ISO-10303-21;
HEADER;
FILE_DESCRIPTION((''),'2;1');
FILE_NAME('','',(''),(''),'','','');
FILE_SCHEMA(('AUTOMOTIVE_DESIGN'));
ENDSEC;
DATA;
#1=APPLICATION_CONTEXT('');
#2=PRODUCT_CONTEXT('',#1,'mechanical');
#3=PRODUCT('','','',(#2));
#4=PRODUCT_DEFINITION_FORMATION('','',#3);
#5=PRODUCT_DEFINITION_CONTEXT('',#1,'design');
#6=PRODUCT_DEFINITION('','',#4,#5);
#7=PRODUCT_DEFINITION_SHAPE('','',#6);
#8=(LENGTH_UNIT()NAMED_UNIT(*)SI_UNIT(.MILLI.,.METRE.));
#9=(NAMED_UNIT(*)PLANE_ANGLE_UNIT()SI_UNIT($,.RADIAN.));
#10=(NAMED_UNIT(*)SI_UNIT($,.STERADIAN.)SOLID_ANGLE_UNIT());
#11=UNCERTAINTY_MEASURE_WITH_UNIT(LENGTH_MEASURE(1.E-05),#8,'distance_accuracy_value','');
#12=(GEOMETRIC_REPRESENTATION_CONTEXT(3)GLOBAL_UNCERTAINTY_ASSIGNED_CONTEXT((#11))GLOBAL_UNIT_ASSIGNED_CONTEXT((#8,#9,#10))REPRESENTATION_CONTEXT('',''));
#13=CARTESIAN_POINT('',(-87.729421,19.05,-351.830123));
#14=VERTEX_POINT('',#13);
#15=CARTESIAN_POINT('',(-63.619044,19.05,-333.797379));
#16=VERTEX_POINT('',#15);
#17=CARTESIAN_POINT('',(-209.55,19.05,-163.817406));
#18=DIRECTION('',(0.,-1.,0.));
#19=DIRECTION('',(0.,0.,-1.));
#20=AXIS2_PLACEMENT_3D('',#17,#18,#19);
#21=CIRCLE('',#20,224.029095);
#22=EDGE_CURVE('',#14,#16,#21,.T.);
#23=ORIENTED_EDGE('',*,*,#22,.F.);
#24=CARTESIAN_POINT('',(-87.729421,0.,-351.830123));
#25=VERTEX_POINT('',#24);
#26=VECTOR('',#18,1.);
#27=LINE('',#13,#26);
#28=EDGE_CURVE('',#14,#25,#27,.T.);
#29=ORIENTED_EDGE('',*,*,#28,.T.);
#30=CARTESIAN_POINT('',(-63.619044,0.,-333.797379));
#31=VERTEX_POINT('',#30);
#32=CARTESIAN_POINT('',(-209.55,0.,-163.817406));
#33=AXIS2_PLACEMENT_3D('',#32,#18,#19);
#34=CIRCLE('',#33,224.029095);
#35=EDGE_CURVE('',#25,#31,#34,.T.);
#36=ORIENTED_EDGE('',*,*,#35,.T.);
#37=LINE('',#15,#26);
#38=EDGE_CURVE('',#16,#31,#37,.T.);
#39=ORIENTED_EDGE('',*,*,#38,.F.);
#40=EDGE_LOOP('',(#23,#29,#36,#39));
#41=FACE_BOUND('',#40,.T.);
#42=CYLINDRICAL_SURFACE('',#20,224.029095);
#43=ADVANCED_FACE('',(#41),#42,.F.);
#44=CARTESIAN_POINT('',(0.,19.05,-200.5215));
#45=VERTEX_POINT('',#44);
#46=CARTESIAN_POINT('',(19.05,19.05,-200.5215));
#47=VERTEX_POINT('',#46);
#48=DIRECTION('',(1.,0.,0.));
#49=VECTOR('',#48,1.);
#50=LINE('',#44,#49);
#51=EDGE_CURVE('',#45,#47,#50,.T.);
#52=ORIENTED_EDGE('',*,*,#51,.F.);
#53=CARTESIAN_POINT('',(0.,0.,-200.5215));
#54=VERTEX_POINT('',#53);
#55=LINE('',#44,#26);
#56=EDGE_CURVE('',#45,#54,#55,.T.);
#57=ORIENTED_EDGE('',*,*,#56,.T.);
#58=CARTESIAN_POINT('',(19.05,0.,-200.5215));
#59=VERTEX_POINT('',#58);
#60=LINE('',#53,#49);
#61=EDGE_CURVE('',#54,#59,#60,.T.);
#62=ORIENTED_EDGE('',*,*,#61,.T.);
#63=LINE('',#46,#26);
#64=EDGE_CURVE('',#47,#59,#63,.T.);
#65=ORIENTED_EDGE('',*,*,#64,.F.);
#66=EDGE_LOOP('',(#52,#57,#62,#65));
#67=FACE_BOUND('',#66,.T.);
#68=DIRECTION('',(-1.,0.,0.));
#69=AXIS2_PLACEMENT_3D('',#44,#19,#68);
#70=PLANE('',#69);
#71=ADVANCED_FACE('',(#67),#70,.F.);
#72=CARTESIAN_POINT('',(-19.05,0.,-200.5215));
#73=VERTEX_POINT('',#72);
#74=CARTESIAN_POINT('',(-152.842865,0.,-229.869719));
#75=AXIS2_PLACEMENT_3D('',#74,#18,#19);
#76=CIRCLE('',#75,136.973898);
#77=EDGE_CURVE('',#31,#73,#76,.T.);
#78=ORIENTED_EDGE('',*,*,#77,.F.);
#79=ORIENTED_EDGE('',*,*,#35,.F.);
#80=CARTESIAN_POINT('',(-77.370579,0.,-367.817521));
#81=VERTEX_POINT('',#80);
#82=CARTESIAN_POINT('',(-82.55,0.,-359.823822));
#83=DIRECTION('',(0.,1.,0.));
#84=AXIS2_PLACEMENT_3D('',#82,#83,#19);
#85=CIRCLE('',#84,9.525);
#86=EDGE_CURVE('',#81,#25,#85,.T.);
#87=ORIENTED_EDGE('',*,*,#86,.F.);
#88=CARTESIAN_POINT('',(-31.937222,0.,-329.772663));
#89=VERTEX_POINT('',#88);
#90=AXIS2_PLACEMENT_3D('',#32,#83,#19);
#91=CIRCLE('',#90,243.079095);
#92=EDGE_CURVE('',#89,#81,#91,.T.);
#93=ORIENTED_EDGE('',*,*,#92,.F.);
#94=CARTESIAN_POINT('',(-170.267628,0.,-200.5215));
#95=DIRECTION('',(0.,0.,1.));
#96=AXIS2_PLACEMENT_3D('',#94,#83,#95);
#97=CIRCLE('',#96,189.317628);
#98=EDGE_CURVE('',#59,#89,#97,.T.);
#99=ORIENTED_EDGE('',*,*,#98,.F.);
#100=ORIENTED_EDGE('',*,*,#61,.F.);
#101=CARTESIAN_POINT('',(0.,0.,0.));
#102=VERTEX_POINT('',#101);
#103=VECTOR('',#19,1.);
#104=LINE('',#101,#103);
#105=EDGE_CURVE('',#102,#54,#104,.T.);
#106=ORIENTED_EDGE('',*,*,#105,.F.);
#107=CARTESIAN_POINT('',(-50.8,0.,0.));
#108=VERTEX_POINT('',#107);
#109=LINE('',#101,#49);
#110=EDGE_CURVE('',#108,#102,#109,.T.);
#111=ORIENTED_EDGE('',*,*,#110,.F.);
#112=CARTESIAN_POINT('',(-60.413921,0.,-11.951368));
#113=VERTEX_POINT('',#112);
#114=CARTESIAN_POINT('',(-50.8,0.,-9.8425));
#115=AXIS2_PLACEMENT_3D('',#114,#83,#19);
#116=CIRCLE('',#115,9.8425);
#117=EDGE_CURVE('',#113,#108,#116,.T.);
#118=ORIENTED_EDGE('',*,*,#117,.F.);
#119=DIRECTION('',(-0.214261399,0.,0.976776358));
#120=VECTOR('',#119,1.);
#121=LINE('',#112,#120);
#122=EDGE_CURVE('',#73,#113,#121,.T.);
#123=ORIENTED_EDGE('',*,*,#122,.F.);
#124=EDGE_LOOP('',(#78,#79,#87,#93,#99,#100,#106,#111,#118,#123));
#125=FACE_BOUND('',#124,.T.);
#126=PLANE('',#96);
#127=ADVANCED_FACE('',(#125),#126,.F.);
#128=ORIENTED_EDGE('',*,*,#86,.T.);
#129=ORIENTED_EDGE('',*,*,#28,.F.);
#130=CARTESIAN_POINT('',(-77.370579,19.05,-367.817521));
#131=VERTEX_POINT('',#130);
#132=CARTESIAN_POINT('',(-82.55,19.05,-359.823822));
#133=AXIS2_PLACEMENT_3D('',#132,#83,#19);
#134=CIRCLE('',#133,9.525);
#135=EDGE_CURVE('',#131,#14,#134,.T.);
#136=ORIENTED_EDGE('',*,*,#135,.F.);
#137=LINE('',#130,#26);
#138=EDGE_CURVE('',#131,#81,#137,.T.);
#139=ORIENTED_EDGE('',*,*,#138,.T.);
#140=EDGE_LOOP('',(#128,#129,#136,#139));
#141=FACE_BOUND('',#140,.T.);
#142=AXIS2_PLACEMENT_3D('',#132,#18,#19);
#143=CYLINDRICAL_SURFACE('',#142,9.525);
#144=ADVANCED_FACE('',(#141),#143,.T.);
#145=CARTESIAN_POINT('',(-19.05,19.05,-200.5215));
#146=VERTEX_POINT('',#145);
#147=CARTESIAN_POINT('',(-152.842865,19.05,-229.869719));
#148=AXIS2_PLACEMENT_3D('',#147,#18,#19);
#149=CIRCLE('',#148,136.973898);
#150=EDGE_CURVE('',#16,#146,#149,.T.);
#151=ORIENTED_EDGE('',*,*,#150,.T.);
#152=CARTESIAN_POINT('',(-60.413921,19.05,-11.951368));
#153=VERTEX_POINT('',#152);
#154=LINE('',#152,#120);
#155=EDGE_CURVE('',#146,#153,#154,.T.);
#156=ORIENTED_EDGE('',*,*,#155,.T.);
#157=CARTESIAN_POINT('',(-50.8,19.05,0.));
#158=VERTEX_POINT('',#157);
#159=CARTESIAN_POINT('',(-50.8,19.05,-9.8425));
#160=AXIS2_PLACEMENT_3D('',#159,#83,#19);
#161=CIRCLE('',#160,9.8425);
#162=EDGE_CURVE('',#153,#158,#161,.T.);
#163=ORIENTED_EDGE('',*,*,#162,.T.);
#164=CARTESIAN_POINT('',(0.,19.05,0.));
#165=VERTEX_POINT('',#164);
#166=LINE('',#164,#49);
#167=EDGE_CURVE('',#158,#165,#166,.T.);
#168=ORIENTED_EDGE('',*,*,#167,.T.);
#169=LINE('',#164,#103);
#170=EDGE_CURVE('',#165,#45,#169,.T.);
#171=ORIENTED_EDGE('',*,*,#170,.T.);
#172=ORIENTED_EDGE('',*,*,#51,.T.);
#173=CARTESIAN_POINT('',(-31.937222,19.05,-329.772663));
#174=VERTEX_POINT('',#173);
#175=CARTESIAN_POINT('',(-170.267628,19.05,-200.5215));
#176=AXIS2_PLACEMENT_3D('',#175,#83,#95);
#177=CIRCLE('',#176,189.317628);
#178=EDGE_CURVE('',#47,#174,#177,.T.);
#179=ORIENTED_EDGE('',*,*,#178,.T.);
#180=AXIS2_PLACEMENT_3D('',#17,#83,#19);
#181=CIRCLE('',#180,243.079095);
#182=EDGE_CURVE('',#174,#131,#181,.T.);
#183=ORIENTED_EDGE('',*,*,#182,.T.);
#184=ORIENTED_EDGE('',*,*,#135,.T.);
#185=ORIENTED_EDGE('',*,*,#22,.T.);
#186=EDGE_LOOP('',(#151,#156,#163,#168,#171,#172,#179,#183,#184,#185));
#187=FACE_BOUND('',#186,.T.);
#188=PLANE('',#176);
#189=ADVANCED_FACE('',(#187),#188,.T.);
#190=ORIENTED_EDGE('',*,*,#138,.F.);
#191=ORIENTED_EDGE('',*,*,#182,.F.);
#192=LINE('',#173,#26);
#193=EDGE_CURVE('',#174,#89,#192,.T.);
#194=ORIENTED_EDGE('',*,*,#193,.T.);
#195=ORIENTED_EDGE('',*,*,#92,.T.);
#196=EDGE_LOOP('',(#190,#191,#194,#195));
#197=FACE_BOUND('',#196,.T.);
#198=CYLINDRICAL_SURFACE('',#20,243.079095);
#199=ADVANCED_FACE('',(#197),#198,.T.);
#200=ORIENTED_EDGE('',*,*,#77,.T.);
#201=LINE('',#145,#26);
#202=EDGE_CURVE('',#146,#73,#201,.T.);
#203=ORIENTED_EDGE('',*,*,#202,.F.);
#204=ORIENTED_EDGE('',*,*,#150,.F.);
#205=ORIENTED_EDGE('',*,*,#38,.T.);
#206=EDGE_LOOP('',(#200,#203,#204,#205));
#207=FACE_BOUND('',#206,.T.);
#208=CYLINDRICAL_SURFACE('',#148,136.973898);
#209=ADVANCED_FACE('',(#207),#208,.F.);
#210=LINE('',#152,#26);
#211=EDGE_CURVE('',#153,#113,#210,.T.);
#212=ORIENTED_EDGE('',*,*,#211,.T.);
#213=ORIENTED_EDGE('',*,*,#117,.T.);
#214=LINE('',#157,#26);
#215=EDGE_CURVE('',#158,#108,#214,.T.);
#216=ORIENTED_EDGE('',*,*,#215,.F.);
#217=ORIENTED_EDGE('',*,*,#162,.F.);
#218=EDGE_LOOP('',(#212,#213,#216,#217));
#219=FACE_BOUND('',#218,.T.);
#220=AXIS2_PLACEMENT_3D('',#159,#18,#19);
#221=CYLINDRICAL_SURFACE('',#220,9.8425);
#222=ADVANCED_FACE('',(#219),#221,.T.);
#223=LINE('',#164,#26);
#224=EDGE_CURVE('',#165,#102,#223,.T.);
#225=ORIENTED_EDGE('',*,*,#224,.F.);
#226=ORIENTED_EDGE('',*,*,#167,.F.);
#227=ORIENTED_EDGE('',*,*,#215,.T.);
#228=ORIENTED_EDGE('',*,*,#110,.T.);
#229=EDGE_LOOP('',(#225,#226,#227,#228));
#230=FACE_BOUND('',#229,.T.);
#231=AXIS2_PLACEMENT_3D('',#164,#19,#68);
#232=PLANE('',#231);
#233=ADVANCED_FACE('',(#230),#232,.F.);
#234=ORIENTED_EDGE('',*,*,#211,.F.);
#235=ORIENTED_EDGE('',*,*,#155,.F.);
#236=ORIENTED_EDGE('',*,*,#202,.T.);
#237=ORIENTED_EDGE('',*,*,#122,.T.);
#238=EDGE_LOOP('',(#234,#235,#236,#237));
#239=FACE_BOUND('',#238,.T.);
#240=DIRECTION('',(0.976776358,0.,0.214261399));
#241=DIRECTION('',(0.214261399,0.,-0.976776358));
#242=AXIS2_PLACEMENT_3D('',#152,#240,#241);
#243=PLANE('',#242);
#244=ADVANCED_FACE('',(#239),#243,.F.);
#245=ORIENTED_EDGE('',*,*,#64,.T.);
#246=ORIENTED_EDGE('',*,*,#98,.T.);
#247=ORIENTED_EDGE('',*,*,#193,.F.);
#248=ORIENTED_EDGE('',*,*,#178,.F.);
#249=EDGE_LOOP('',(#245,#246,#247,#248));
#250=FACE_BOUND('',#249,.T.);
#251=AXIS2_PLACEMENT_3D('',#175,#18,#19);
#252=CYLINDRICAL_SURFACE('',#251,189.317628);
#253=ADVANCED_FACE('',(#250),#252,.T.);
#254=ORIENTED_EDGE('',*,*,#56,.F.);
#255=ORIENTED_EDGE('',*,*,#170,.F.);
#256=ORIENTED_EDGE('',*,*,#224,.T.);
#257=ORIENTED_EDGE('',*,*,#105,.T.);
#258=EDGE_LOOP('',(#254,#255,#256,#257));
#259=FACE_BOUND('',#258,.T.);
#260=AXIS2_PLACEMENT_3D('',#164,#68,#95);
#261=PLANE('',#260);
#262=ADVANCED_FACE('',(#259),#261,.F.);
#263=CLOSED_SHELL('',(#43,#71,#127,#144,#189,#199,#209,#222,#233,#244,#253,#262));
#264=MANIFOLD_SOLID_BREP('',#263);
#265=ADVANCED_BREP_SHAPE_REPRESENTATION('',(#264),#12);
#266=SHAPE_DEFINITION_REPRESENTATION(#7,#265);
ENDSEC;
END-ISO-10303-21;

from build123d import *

# Parameters (mm, degrees)
BOSS_EXTRUDE1_DEPTH = 19.05


with BuildPart() as part:
    # Sketch1 → Boss-Extrude1 (new body)
    with BuildSketch(Plane(origin=(0, 0, 0), x_dir=(1, 0, 0), z_dir=(0, 1, 0))):
        with BuildLine():
            Line((0, 0), (-50.8, 0))
            ThreePointArc((-50.8, 0), (-58.469137427, 3.673291188), (-60.413921301, 11.951367819))
            Line((-60.413921301, 11.951367819), (-19.05, 200.52150033))
            ThreePointArc((-19.05, 200.52150033), (-22.940110947, 273.310750301), (-63.619044117, 333.79737916))
            ThreePointArc((-63.619044117, 333.79737916), (-75.370955214, 343.219242923), (-87.729421071, 351.830122835))
            ThreePointArc((-87.729421071, 351.830122835), (-90.543698917, 365.003242823), (-77.370578929, 367.817520668))
            ThreePointArc((-77.370578929, 367.817520668), (-53.490221725, 350.184763018), (-31.937222332, 329.772663182))
            ThreePointArc((-31.937222332, 329.772663182), (5.842491744, 269.993724887), (19.05, 200.52150033))
            Line((19.05, 200.52150033), (0, 200.52150033))
            Line((0, 200.52150033), (0, 0))
        make_face()
    extrude(amount=BOSS_EXTRUDE1_DEPTH)


solid = part.part
